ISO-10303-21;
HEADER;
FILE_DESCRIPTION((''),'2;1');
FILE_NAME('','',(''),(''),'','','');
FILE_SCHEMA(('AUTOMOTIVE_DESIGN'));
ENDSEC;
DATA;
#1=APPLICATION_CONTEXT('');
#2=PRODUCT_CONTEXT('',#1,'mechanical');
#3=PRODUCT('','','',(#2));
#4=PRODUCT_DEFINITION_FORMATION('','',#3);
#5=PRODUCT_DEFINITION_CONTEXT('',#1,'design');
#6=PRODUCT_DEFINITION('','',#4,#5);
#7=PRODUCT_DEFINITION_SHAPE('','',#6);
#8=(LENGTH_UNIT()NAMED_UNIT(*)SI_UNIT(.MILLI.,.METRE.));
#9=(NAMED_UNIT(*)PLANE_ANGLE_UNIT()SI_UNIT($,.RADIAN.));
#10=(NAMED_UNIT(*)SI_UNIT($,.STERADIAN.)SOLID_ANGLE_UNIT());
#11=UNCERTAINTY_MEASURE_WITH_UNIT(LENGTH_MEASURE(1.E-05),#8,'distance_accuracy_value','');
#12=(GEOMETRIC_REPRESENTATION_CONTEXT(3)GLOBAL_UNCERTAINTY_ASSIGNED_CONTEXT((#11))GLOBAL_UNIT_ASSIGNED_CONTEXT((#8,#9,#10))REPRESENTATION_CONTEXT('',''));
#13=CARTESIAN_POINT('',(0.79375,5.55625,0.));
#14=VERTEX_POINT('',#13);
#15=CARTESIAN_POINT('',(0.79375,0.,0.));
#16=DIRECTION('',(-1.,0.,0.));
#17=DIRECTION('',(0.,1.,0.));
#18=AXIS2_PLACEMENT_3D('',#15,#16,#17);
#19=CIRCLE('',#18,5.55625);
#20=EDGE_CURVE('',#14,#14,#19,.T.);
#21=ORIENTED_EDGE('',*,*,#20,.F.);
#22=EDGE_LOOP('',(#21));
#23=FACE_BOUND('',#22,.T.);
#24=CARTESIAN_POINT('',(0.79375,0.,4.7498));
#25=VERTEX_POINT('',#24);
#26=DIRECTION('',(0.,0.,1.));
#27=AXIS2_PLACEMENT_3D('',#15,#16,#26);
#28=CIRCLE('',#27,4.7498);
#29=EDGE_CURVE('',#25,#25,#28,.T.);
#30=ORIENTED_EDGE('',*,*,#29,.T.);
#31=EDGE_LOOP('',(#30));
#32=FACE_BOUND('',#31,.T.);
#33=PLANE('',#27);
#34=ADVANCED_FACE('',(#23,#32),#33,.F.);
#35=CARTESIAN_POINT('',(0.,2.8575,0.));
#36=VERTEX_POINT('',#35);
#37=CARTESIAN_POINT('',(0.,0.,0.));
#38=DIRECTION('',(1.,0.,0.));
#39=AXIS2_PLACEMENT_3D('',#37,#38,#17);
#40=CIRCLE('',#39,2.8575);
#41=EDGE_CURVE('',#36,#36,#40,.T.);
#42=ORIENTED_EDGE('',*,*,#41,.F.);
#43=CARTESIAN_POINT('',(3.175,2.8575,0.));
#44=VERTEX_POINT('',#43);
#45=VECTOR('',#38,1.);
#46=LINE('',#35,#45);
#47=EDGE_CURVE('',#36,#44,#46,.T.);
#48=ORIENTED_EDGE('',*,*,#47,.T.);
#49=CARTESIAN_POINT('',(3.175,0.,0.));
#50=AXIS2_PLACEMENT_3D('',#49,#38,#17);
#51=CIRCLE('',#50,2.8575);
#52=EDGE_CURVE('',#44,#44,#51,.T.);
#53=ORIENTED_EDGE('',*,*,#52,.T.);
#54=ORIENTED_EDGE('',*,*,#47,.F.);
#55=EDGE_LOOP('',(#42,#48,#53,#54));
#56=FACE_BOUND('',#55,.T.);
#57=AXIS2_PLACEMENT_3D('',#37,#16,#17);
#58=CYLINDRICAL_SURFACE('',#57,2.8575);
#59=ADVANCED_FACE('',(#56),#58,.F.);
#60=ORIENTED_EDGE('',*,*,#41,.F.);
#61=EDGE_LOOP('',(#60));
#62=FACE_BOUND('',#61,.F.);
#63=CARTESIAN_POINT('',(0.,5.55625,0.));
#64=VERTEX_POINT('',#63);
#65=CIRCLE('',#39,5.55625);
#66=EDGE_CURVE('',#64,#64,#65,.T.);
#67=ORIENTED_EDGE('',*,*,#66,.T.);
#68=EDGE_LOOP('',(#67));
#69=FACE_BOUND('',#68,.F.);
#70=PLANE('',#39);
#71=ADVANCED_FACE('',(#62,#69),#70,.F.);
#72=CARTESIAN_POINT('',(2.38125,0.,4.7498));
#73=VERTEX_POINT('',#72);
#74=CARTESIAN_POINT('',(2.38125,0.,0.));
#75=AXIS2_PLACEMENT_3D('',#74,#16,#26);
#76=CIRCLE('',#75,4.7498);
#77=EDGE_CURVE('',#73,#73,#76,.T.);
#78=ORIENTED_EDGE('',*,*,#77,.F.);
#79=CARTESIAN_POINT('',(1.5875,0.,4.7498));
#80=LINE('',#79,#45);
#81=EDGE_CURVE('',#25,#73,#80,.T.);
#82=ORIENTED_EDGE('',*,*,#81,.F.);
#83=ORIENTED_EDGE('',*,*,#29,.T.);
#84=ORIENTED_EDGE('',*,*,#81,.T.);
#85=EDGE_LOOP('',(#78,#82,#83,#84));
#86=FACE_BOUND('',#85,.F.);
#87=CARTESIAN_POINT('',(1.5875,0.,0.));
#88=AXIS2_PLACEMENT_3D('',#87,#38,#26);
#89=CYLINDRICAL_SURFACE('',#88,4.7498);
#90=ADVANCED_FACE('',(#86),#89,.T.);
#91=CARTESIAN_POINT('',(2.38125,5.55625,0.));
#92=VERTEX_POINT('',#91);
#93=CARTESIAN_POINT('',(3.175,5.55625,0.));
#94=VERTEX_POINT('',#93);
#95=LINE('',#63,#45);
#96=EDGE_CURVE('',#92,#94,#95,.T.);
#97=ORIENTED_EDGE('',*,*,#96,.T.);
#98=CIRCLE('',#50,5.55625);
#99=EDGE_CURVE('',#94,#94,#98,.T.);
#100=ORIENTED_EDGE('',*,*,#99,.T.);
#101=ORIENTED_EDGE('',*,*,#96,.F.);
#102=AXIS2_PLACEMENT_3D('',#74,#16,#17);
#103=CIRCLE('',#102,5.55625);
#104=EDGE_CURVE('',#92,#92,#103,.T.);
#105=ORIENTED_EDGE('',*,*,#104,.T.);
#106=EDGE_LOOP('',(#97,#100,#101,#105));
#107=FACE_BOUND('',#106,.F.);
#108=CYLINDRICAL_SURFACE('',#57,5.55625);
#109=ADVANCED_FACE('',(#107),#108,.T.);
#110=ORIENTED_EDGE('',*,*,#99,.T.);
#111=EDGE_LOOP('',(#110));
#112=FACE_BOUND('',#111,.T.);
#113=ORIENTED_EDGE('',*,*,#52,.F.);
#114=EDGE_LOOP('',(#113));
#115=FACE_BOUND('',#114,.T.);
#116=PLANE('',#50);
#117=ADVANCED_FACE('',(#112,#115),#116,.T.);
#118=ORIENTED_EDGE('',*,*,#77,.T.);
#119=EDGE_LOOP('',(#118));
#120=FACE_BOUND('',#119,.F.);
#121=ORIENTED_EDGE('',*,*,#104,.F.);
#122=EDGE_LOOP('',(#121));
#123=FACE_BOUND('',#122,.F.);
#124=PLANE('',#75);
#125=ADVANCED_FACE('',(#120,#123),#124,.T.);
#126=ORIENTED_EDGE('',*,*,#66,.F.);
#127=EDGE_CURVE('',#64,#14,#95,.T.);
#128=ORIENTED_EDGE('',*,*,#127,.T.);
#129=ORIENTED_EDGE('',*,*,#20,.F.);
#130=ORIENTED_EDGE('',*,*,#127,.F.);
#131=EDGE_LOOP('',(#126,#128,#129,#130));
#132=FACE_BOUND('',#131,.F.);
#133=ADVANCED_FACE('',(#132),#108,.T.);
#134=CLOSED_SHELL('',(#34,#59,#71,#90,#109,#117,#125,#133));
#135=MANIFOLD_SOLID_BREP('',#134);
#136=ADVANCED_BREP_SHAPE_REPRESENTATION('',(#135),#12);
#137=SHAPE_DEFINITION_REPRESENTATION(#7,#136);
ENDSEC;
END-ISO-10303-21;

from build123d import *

# Parameters (mm, degrees)
F0_R     = 5.55625
F0_R_2   = 2.8575
F1_DEPTH = 3.175
F2_W     = 1.5875
F2_H     = 0.80645


with BuildPart() as f1:
    # F0 (on Right) → F1 (new body)
    with BuildSketch(Plane.YZ):
        Circle(F0_R)
        Circle(F0_R_2, mode=Mode.SUBTRACT)
    extrude(amount=F1_DEPTH)

    # F2 (on Front) → F3 (revolve, cut)
    with BuildSketch(Plane.XZ):
        with Locations((1.5875, 5.153025)):
            Rectangle(F2_W, F2_H)
    revolve(axis=Axis((-3.449974, 0, 0), (-1, 0, 0)), mode=Mode.SUBTRACT)


solid = f1.part
